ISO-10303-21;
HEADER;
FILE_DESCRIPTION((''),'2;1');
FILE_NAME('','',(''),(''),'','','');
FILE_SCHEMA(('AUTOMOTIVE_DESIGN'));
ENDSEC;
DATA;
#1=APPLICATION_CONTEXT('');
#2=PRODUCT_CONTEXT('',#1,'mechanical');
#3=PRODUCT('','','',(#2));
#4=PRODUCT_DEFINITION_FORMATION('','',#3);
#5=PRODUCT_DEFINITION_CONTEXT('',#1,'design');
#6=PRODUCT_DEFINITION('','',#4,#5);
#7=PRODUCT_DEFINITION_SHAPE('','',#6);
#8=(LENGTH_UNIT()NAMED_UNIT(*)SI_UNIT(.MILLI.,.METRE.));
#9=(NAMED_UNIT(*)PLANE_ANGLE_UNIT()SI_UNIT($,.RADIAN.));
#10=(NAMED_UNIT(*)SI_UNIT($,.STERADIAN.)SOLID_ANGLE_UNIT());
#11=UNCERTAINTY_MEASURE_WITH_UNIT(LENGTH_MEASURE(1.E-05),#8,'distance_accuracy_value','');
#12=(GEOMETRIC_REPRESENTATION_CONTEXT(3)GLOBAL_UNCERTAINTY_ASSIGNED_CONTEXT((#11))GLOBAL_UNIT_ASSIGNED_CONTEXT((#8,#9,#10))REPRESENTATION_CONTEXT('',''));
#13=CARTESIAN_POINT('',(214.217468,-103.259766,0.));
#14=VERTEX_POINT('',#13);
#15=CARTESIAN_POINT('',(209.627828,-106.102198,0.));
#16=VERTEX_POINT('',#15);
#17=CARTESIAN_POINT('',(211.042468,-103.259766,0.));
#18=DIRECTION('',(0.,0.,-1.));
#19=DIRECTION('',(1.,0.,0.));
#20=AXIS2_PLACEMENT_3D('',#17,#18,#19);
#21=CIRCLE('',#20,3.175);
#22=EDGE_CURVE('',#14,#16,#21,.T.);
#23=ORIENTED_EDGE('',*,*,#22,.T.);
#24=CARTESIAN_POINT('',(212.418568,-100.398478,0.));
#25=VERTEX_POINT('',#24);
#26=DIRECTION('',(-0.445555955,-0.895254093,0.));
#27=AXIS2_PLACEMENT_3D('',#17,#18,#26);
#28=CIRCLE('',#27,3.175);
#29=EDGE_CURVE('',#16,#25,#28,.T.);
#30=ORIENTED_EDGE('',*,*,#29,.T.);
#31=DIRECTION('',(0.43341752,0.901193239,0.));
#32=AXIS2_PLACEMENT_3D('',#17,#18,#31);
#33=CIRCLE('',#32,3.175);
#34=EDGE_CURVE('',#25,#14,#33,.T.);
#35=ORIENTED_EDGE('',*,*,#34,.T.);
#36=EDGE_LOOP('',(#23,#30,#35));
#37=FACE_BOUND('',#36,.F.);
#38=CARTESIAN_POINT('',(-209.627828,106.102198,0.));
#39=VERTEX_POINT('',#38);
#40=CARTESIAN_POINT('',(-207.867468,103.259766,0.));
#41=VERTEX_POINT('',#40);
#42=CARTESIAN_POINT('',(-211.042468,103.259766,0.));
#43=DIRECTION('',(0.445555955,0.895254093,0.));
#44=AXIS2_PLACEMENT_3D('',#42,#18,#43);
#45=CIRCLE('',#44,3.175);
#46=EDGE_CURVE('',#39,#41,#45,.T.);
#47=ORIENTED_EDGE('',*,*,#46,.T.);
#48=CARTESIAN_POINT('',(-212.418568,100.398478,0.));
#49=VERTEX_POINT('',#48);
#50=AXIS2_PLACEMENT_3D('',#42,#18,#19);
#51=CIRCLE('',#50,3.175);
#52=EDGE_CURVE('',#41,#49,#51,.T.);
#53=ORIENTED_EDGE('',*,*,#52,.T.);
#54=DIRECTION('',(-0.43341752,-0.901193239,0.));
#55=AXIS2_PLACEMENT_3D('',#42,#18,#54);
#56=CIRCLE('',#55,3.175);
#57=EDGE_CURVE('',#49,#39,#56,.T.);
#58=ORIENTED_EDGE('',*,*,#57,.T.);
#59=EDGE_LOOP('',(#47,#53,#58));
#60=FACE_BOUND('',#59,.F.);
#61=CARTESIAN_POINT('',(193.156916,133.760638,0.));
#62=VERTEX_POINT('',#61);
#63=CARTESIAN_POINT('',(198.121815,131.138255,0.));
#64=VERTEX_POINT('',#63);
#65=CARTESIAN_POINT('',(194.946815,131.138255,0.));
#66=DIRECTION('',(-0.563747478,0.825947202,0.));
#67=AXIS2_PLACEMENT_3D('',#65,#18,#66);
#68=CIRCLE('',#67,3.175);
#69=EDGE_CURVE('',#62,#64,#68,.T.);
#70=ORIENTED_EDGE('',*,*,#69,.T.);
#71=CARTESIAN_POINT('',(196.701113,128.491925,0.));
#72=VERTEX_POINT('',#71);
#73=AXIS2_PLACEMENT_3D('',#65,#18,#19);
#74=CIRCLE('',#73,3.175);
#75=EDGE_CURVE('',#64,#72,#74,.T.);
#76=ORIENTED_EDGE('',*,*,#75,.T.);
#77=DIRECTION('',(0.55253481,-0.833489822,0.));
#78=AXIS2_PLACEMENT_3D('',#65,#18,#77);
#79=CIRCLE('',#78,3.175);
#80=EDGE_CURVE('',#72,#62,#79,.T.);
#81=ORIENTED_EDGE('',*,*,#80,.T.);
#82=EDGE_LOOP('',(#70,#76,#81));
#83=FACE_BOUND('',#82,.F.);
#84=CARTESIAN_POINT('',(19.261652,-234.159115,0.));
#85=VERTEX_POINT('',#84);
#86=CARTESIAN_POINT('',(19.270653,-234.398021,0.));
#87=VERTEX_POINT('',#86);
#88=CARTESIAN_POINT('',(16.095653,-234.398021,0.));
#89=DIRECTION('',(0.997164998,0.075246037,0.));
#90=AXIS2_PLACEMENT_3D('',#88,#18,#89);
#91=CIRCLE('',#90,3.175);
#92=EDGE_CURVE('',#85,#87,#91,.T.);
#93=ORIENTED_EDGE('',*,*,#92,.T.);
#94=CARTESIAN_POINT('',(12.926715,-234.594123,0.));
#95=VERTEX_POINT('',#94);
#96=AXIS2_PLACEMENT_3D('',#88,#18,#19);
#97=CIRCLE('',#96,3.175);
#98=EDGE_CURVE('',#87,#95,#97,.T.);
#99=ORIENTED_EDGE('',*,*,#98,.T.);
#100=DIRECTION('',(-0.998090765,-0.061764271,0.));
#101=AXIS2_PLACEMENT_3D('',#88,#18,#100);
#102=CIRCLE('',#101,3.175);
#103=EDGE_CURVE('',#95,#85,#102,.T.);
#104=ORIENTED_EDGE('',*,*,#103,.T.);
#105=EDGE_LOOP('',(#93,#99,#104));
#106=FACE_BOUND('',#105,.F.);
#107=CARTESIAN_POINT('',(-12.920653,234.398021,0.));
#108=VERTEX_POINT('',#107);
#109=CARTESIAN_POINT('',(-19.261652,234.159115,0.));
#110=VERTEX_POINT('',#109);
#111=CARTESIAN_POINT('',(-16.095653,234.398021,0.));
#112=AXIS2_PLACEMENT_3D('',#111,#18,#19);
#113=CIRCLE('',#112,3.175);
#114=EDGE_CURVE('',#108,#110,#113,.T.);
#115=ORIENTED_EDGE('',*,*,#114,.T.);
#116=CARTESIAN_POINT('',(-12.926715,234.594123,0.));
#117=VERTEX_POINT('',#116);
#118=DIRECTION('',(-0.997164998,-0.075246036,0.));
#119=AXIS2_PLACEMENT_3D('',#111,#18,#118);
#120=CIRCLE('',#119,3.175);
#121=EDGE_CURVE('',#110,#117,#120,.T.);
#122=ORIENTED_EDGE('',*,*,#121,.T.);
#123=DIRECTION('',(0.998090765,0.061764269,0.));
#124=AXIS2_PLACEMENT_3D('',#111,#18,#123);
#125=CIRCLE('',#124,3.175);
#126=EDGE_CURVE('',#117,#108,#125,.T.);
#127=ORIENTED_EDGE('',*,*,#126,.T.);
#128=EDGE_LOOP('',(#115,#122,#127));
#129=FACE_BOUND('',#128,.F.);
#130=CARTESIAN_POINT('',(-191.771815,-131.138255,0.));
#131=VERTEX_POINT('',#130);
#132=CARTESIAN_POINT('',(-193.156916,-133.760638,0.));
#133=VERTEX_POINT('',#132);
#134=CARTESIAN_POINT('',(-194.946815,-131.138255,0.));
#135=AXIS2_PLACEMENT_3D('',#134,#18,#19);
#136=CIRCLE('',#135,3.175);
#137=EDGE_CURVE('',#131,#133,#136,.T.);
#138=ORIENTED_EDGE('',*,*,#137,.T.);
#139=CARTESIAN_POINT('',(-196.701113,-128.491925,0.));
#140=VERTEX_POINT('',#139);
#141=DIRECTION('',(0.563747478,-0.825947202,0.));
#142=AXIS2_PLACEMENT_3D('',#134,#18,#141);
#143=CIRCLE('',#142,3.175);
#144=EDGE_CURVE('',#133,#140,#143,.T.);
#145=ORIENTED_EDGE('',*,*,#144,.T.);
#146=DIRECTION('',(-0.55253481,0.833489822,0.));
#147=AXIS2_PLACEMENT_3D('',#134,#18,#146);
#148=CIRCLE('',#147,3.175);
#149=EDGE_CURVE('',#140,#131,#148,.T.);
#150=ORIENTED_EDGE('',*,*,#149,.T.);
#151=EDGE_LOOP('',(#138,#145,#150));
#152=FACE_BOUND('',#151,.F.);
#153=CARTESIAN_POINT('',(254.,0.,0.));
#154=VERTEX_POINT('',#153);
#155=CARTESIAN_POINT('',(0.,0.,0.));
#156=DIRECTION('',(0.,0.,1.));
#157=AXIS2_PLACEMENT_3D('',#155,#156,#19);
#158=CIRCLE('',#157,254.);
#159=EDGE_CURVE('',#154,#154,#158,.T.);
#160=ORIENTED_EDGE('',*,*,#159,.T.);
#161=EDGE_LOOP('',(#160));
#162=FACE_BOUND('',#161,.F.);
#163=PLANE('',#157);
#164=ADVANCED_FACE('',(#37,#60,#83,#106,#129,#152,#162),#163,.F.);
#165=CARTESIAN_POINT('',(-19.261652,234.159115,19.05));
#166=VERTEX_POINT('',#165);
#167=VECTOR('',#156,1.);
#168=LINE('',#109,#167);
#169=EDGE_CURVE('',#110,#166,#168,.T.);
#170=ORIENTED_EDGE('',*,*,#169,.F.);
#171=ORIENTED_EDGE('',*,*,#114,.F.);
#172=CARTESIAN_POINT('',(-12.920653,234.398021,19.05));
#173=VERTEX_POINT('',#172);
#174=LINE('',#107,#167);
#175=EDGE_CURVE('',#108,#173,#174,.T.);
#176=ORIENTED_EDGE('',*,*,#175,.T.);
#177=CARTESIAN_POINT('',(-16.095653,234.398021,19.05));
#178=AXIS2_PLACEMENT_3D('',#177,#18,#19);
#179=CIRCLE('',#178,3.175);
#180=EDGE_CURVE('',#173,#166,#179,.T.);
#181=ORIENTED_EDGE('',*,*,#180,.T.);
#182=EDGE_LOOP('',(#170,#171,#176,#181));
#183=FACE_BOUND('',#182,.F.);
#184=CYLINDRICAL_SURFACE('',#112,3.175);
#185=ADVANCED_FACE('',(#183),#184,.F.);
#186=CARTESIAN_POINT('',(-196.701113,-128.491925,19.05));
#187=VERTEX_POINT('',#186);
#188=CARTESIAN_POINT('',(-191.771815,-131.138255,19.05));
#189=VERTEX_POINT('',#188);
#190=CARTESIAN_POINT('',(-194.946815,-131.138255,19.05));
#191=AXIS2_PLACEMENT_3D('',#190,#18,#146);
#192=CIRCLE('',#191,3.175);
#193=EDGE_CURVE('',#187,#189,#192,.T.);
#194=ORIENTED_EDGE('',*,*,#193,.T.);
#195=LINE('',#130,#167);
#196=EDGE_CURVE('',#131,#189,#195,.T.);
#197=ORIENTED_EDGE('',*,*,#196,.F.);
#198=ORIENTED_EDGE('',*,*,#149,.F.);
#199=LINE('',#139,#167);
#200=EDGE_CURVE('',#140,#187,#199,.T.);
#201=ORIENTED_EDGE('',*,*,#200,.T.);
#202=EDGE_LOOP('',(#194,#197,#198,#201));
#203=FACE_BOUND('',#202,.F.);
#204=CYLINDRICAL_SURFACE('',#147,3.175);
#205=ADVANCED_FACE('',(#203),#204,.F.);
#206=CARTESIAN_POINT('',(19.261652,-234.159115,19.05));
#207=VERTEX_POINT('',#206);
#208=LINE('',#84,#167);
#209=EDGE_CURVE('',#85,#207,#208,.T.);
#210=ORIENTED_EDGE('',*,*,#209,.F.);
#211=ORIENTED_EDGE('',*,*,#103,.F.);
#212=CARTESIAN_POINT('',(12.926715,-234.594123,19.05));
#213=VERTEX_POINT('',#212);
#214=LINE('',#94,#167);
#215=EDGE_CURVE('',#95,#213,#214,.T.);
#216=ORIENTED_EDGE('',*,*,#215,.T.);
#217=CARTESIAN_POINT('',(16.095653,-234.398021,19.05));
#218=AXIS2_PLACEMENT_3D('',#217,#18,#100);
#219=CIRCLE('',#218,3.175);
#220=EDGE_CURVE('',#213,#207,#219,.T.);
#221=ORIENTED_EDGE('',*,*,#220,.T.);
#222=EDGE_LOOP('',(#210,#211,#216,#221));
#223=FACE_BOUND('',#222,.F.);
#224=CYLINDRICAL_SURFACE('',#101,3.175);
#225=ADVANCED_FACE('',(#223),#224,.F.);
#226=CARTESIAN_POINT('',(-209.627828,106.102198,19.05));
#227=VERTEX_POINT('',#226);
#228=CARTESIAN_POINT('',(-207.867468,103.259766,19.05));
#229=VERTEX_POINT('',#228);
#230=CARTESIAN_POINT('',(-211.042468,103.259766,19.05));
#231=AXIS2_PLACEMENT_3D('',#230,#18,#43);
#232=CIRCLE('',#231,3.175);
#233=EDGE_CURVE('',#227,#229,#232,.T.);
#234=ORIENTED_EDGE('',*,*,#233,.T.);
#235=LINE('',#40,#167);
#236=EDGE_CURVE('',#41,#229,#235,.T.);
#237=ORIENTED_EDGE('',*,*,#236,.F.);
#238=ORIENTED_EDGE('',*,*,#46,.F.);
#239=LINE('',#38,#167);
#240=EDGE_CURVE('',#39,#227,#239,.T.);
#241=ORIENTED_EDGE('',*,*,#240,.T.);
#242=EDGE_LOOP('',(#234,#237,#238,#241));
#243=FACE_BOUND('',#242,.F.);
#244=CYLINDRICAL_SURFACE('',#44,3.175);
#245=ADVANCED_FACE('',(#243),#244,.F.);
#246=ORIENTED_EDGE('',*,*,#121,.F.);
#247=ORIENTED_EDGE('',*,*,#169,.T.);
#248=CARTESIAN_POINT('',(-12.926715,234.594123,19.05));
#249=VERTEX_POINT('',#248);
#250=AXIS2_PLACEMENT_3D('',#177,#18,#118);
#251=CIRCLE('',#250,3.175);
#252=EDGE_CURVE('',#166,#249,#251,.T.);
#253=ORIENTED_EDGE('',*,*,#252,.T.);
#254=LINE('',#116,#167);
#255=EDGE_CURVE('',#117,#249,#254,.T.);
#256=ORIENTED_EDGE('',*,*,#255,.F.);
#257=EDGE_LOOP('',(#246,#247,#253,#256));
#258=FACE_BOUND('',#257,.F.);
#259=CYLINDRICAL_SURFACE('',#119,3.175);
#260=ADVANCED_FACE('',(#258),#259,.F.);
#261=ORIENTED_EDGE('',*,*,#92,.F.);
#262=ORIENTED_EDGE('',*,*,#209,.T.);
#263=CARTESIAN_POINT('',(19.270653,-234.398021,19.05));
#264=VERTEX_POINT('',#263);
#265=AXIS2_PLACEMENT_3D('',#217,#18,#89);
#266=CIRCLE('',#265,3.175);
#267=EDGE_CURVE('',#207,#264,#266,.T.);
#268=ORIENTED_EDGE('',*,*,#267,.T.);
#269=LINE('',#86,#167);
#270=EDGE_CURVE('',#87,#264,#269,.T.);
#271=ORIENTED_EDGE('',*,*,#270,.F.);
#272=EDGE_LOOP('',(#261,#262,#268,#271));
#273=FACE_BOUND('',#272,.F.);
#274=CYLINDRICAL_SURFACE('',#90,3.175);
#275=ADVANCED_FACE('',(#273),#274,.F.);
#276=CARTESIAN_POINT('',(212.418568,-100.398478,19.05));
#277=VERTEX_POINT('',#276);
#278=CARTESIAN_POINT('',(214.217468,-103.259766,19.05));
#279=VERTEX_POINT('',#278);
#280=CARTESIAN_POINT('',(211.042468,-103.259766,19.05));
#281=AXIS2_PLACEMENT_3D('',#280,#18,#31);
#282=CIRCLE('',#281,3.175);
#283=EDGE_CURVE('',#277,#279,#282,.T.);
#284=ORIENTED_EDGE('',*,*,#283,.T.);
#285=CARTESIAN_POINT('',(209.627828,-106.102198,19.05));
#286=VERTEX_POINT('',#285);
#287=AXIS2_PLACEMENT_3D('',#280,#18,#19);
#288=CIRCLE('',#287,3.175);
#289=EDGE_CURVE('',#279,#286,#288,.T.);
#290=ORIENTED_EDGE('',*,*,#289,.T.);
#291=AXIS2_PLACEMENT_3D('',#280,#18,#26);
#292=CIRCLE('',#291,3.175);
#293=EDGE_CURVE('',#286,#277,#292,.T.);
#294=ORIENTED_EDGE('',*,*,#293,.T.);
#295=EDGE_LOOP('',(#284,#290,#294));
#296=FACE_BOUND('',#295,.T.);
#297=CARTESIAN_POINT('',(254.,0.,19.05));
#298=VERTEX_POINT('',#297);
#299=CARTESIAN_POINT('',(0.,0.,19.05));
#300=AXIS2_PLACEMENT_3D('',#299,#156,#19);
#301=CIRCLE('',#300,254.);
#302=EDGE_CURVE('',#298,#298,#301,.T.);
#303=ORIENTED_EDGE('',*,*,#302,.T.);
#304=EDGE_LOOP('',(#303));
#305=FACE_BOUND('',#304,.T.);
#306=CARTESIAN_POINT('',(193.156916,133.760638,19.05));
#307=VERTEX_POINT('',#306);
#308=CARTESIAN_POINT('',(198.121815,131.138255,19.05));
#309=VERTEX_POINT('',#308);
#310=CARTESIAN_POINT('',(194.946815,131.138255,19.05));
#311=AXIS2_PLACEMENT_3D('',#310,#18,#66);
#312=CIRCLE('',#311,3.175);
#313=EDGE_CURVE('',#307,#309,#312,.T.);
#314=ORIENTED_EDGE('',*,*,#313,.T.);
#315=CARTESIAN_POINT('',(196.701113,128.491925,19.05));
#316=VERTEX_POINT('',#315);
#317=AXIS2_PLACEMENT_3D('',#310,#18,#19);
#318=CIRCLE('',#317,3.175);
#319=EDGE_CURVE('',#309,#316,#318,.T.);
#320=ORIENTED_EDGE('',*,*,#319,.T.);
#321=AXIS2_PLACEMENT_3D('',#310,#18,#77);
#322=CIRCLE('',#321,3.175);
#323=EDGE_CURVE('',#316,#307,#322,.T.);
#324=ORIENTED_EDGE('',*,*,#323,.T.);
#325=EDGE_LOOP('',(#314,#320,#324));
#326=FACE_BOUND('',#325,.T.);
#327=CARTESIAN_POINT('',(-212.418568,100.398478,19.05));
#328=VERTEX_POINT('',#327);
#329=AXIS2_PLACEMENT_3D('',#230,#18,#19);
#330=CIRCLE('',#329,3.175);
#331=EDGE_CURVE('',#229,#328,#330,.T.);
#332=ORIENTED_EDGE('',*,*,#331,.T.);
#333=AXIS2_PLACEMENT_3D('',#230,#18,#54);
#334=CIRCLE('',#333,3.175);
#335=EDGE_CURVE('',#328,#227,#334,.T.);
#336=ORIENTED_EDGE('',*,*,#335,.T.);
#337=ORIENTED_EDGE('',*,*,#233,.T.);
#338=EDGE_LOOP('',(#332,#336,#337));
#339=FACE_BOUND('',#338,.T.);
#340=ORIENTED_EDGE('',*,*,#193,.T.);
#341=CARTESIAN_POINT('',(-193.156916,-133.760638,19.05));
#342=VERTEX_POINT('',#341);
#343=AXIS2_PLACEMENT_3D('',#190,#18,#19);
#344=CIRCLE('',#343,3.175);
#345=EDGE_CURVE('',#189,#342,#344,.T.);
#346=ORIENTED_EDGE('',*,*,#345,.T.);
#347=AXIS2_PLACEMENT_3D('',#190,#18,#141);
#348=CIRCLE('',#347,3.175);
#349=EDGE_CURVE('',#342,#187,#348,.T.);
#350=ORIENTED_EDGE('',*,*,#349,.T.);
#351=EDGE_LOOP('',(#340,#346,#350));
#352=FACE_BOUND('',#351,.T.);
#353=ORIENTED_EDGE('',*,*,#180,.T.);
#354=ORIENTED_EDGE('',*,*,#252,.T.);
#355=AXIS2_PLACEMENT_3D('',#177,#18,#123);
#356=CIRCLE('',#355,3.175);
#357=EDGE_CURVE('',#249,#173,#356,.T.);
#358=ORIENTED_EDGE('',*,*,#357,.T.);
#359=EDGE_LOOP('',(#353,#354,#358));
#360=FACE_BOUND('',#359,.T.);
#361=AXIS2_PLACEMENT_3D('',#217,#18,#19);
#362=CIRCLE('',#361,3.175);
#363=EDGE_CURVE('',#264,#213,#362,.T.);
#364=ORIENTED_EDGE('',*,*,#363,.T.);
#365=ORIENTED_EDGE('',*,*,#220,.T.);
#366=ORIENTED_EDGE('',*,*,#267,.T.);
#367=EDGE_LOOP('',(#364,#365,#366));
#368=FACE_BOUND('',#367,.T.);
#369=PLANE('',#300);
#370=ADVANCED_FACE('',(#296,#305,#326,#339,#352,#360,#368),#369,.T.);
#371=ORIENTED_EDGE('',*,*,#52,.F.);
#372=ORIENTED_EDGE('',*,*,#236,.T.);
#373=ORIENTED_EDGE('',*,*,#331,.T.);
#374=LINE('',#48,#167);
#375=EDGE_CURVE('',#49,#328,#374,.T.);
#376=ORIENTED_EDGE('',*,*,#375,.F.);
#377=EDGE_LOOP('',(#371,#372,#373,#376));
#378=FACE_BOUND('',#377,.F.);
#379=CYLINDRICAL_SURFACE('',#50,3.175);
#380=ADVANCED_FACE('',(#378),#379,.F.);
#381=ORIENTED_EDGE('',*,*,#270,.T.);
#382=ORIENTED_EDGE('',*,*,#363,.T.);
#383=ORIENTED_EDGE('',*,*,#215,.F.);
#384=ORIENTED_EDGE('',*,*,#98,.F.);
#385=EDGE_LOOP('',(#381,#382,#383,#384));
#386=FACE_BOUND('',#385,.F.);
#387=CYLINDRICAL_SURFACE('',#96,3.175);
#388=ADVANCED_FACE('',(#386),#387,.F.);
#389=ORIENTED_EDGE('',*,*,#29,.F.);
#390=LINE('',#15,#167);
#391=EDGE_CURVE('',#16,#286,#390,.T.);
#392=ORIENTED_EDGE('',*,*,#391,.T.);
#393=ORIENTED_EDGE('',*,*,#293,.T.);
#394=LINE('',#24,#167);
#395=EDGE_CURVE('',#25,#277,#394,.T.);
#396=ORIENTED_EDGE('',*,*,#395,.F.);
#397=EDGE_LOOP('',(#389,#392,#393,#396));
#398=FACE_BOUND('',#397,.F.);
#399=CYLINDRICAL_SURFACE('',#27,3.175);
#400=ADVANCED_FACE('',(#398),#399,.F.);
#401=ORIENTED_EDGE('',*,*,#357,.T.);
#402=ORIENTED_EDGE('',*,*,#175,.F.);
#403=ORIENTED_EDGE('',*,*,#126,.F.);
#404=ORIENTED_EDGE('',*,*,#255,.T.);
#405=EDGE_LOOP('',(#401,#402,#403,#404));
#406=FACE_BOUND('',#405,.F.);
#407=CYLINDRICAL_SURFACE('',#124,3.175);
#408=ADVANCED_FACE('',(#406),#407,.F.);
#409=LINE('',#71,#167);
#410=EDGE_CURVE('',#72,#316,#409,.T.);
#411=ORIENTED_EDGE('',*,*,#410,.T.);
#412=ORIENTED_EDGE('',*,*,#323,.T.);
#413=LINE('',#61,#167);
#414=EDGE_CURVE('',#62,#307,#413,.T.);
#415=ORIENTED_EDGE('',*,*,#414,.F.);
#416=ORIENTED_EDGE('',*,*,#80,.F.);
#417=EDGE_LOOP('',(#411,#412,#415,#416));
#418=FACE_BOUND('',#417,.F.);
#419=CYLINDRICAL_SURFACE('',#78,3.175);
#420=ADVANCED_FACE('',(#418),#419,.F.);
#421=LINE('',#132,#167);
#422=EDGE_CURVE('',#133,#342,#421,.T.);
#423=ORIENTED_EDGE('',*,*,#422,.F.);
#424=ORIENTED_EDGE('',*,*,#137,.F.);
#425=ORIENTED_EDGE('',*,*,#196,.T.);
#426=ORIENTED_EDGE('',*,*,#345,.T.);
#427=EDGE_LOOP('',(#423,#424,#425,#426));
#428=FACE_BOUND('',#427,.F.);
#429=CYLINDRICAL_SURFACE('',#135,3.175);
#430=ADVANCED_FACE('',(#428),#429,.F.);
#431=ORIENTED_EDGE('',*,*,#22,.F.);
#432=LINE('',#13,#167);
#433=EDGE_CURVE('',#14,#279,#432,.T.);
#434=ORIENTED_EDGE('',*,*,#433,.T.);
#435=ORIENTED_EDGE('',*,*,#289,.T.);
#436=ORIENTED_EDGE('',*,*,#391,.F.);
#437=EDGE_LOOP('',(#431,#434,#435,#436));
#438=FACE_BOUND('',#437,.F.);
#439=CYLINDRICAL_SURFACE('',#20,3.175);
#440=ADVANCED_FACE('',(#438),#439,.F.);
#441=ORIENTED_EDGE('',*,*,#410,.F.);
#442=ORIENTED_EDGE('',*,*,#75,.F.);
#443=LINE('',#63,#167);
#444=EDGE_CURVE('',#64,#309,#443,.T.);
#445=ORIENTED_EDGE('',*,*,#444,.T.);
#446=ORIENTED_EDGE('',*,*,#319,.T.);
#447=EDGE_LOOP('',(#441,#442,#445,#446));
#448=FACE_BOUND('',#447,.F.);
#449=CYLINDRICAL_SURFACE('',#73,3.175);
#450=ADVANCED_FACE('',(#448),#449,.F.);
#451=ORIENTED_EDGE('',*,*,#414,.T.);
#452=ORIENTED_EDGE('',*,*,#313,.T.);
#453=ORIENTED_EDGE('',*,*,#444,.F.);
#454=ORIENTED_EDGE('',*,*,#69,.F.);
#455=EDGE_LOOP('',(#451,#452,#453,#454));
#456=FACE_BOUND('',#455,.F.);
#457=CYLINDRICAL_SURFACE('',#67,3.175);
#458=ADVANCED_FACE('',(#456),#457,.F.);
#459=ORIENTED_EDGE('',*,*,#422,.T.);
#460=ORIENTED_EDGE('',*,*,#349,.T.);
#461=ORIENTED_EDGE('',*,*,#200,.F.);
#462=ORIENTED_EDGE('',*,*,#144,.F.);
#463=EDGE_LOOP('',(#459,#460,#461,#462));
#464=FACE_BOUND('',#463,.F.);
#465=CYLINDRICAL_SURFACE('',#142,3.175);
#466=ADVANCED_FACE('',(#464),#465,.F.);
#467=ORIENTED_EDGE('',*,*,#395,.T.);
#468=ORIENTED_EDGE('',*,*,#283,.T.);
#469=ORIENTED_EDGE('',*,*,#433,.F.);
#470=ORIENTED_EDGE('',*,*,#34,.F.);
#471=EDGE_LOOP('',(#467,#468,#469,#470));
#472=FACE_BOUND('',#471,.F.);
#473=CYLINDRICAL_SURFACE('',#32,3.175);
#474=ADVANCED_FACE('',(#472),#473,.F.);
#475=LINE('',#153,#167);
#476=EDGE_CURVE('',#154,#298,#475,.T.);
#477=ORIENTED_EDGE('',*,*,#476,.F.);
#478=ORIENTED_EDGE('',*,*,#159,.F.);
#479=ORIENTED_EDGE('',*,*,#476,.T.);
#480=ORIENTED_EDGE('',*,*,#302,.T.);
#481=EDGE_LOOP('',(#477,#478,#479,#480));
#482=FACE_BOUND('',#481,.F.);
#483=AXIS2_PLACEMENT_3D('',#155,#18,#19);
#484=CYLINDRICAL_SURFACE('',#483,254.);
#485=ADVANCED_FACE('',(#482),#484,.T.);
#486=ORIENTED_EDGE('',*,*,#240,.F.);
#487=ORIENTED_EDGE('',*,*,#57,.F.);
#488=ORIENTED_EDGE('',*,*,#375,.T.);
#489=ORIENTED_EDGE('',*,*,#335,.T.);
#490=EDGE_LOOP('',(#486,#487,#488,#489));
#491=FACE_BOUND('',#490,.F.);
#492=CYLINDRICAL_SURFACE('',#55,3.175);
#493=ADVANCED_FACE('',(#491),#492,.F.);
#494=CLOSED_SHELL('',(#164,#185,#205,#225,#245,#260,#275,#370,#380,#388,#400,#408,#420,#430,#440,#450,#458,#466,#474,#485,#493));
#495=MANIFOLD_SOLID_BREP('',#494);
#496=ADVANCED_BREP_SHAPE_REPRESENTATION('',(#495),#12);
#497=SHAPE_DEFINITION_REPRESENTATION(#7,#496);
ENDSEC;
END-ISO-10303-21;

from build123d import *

# Parameters (mm, degrees)
F0_R     = 254
F1_DEPTH = 19.05


with BuildPart() as f1:
    # F0 (on Top) → F1 (new body)
    with BuildSketch(Plane.XY):
        Circle(F0_R)
        with BuildLine():
            ThreePointArc((196.7011125508, 128.4919251209), (225.1848450649, 67.0319927579), (234.95, 0))
            ThreePointArc((234.95, 0), (229.2479499847, -51.4478369596), (212.4185683948, -100.3984775836))
            ThreePointArc((212.4185683948, -100.3984775836), (213.7303800146, -101.5698688542), (214.2174677682, -103.259766116))
            ThreePointArc((214.2174677682, -103.259766116), (212.7141648851, -105.9590352298), (209.6278276113, -106.1021978612))
            ThreePointArc((209.6278276113, -106.1021978612), (131.1382553066, -194.9468145294), (19.2616521087, -234.1591152572))
            ThreePointArc((19.2616521087, -234.1591152572), (19.2684021583, -234.2784835874), (19.2706532388, -234.3980214226))
            ThreePointArc((19.2706532388, -234.3980214226), (16.1937508526, -237.5715056053), (12.9267150604, -234.5941229821))
            ThreePointArc((12.9267150604, -234.5941229821), (-103.259766116, -211.0424677682), (-193.1569162861, -133.7606376736))
            ThreePointArc((-193.1569162861, -133.7606376736), (-197.5812309419, -132.9103938918), (-196.7011125508, -128.4919251209))
            ThreePointArc((-196.7011125508, -128.4919251209), (-234.3980214226, -16.0956532388), (-212.4185683948, 100.3984775836))
            ThreePointArc((-212.4185683948, 100.3984775836), (-213.8943930083, 104.6551683608), (-209.6278276113, 106.1021978612))
            ThreePointArc((-209.6278276113, 106.1021978612), (-131.1382553066, 194.9468145294), (-19.2616521087, 234.1591152572))
            ThreePointArc((-19.2616521087, 234.1591152572), (-16.3131620664, 237.5655622526), (-12.9267150604, 234.5941229821))
            ThreePointArc((-12.9267150604, 234.5941229821), (103.259766116, 211.0424677682), (193.1569162861, 133.7606376736))
            ThreePointArc((193.1569162861, 133.7606376736), (196.4296661871, 133.9457053883), (198.1218145294, 131.1382553066))
            ThreePointArc((198.1218145294, 131.1382553066), (197.744181257, 129.6364682408), (196.7011125508, 128.4919251209))
        make_face(mode=Mode.SUBTRACT)
        with BuildLine():
            ThreePointArc((212.4185683948, -100.3984775836), (229.2479499847, -51.4478369596), (234.95, 0))
            ThreePointArc((234.95, 0), (225.1848450649, 67.0319927579), (196.7011125508, 128.4919251209))
            ThreePointArc((196.7011125508, 128.4919251209), (192.3123981168, 129.3661167214), (193.1569162861, 133.7606376736))
            ThreePointArc((193.1569162861, 133.7606376736), (103.259766116, 211.0424677682), (-12.9267150604, 234.5941229821))
            ThreePointArc((-12.9267150604, 234.5941229821), (-12.9221690561, 234.4961190364), (-12.9206532388, 234.3980214226))
            ThreePointArc((-12.9206532388, 234.3980214226), (-15.9761154036, 231.2252725031), (-19.2616521087, 234.1591152572))
            ThreePointArc((-19.2616521087, 234.1591152572), (-131.1382553066, 194.9468145294), (-209.6278276113, 106.1021978612))
            ThreePointArc((-209.6278276113, 106.1021978612), (-208.3431986543, 104.931463233), (-207.8674677682, 103.259766116))
            ThreePointArc((-207.8674677682, 103.259766116), (-209.3525705064, 100.5718538695), (-212.4185683948, 100.3984775836))
            ThreePointArc((-212.4185683948, 100.3984775836), (-234.3980214226, -16.0956532388), (-196.7011125508, -128.4919251209))
            ThreePointArc((-196.7011125508, -128.4919251209), (-193.4450274636, -128.3408885789), (-191.7718145294, -131.1382553066))
            ThreePointArc((-191.7718145294, -131.1382553066), (-192.1393644477, -132.6211069643), (-193.1569162861, -133.7606376736))
            ThreePointArc((-193.1569162861, -133.7606376736), (-103.259766116, -211.0424677682), (12.9267150604, -234.5941229821))
            ThreePointArc((12.9267150604, -234.5941229821), (15.8781444113, -231.2304805925), (19.2616521087, -234.1591152572))
            ThreePointArc((19.2616521087, -234.1591152572), (131.1382553066, -194.9468145294), (209.6278276113, -106.1021978612))
            ThreePointArc((209.6278276113, -106.1021978612), (208.190542528, -101.8643638712), (212.4185683948, -100.3984775836))
        make_face()
    extrude(amount=F1_DEPTH)


solid = f1.part
